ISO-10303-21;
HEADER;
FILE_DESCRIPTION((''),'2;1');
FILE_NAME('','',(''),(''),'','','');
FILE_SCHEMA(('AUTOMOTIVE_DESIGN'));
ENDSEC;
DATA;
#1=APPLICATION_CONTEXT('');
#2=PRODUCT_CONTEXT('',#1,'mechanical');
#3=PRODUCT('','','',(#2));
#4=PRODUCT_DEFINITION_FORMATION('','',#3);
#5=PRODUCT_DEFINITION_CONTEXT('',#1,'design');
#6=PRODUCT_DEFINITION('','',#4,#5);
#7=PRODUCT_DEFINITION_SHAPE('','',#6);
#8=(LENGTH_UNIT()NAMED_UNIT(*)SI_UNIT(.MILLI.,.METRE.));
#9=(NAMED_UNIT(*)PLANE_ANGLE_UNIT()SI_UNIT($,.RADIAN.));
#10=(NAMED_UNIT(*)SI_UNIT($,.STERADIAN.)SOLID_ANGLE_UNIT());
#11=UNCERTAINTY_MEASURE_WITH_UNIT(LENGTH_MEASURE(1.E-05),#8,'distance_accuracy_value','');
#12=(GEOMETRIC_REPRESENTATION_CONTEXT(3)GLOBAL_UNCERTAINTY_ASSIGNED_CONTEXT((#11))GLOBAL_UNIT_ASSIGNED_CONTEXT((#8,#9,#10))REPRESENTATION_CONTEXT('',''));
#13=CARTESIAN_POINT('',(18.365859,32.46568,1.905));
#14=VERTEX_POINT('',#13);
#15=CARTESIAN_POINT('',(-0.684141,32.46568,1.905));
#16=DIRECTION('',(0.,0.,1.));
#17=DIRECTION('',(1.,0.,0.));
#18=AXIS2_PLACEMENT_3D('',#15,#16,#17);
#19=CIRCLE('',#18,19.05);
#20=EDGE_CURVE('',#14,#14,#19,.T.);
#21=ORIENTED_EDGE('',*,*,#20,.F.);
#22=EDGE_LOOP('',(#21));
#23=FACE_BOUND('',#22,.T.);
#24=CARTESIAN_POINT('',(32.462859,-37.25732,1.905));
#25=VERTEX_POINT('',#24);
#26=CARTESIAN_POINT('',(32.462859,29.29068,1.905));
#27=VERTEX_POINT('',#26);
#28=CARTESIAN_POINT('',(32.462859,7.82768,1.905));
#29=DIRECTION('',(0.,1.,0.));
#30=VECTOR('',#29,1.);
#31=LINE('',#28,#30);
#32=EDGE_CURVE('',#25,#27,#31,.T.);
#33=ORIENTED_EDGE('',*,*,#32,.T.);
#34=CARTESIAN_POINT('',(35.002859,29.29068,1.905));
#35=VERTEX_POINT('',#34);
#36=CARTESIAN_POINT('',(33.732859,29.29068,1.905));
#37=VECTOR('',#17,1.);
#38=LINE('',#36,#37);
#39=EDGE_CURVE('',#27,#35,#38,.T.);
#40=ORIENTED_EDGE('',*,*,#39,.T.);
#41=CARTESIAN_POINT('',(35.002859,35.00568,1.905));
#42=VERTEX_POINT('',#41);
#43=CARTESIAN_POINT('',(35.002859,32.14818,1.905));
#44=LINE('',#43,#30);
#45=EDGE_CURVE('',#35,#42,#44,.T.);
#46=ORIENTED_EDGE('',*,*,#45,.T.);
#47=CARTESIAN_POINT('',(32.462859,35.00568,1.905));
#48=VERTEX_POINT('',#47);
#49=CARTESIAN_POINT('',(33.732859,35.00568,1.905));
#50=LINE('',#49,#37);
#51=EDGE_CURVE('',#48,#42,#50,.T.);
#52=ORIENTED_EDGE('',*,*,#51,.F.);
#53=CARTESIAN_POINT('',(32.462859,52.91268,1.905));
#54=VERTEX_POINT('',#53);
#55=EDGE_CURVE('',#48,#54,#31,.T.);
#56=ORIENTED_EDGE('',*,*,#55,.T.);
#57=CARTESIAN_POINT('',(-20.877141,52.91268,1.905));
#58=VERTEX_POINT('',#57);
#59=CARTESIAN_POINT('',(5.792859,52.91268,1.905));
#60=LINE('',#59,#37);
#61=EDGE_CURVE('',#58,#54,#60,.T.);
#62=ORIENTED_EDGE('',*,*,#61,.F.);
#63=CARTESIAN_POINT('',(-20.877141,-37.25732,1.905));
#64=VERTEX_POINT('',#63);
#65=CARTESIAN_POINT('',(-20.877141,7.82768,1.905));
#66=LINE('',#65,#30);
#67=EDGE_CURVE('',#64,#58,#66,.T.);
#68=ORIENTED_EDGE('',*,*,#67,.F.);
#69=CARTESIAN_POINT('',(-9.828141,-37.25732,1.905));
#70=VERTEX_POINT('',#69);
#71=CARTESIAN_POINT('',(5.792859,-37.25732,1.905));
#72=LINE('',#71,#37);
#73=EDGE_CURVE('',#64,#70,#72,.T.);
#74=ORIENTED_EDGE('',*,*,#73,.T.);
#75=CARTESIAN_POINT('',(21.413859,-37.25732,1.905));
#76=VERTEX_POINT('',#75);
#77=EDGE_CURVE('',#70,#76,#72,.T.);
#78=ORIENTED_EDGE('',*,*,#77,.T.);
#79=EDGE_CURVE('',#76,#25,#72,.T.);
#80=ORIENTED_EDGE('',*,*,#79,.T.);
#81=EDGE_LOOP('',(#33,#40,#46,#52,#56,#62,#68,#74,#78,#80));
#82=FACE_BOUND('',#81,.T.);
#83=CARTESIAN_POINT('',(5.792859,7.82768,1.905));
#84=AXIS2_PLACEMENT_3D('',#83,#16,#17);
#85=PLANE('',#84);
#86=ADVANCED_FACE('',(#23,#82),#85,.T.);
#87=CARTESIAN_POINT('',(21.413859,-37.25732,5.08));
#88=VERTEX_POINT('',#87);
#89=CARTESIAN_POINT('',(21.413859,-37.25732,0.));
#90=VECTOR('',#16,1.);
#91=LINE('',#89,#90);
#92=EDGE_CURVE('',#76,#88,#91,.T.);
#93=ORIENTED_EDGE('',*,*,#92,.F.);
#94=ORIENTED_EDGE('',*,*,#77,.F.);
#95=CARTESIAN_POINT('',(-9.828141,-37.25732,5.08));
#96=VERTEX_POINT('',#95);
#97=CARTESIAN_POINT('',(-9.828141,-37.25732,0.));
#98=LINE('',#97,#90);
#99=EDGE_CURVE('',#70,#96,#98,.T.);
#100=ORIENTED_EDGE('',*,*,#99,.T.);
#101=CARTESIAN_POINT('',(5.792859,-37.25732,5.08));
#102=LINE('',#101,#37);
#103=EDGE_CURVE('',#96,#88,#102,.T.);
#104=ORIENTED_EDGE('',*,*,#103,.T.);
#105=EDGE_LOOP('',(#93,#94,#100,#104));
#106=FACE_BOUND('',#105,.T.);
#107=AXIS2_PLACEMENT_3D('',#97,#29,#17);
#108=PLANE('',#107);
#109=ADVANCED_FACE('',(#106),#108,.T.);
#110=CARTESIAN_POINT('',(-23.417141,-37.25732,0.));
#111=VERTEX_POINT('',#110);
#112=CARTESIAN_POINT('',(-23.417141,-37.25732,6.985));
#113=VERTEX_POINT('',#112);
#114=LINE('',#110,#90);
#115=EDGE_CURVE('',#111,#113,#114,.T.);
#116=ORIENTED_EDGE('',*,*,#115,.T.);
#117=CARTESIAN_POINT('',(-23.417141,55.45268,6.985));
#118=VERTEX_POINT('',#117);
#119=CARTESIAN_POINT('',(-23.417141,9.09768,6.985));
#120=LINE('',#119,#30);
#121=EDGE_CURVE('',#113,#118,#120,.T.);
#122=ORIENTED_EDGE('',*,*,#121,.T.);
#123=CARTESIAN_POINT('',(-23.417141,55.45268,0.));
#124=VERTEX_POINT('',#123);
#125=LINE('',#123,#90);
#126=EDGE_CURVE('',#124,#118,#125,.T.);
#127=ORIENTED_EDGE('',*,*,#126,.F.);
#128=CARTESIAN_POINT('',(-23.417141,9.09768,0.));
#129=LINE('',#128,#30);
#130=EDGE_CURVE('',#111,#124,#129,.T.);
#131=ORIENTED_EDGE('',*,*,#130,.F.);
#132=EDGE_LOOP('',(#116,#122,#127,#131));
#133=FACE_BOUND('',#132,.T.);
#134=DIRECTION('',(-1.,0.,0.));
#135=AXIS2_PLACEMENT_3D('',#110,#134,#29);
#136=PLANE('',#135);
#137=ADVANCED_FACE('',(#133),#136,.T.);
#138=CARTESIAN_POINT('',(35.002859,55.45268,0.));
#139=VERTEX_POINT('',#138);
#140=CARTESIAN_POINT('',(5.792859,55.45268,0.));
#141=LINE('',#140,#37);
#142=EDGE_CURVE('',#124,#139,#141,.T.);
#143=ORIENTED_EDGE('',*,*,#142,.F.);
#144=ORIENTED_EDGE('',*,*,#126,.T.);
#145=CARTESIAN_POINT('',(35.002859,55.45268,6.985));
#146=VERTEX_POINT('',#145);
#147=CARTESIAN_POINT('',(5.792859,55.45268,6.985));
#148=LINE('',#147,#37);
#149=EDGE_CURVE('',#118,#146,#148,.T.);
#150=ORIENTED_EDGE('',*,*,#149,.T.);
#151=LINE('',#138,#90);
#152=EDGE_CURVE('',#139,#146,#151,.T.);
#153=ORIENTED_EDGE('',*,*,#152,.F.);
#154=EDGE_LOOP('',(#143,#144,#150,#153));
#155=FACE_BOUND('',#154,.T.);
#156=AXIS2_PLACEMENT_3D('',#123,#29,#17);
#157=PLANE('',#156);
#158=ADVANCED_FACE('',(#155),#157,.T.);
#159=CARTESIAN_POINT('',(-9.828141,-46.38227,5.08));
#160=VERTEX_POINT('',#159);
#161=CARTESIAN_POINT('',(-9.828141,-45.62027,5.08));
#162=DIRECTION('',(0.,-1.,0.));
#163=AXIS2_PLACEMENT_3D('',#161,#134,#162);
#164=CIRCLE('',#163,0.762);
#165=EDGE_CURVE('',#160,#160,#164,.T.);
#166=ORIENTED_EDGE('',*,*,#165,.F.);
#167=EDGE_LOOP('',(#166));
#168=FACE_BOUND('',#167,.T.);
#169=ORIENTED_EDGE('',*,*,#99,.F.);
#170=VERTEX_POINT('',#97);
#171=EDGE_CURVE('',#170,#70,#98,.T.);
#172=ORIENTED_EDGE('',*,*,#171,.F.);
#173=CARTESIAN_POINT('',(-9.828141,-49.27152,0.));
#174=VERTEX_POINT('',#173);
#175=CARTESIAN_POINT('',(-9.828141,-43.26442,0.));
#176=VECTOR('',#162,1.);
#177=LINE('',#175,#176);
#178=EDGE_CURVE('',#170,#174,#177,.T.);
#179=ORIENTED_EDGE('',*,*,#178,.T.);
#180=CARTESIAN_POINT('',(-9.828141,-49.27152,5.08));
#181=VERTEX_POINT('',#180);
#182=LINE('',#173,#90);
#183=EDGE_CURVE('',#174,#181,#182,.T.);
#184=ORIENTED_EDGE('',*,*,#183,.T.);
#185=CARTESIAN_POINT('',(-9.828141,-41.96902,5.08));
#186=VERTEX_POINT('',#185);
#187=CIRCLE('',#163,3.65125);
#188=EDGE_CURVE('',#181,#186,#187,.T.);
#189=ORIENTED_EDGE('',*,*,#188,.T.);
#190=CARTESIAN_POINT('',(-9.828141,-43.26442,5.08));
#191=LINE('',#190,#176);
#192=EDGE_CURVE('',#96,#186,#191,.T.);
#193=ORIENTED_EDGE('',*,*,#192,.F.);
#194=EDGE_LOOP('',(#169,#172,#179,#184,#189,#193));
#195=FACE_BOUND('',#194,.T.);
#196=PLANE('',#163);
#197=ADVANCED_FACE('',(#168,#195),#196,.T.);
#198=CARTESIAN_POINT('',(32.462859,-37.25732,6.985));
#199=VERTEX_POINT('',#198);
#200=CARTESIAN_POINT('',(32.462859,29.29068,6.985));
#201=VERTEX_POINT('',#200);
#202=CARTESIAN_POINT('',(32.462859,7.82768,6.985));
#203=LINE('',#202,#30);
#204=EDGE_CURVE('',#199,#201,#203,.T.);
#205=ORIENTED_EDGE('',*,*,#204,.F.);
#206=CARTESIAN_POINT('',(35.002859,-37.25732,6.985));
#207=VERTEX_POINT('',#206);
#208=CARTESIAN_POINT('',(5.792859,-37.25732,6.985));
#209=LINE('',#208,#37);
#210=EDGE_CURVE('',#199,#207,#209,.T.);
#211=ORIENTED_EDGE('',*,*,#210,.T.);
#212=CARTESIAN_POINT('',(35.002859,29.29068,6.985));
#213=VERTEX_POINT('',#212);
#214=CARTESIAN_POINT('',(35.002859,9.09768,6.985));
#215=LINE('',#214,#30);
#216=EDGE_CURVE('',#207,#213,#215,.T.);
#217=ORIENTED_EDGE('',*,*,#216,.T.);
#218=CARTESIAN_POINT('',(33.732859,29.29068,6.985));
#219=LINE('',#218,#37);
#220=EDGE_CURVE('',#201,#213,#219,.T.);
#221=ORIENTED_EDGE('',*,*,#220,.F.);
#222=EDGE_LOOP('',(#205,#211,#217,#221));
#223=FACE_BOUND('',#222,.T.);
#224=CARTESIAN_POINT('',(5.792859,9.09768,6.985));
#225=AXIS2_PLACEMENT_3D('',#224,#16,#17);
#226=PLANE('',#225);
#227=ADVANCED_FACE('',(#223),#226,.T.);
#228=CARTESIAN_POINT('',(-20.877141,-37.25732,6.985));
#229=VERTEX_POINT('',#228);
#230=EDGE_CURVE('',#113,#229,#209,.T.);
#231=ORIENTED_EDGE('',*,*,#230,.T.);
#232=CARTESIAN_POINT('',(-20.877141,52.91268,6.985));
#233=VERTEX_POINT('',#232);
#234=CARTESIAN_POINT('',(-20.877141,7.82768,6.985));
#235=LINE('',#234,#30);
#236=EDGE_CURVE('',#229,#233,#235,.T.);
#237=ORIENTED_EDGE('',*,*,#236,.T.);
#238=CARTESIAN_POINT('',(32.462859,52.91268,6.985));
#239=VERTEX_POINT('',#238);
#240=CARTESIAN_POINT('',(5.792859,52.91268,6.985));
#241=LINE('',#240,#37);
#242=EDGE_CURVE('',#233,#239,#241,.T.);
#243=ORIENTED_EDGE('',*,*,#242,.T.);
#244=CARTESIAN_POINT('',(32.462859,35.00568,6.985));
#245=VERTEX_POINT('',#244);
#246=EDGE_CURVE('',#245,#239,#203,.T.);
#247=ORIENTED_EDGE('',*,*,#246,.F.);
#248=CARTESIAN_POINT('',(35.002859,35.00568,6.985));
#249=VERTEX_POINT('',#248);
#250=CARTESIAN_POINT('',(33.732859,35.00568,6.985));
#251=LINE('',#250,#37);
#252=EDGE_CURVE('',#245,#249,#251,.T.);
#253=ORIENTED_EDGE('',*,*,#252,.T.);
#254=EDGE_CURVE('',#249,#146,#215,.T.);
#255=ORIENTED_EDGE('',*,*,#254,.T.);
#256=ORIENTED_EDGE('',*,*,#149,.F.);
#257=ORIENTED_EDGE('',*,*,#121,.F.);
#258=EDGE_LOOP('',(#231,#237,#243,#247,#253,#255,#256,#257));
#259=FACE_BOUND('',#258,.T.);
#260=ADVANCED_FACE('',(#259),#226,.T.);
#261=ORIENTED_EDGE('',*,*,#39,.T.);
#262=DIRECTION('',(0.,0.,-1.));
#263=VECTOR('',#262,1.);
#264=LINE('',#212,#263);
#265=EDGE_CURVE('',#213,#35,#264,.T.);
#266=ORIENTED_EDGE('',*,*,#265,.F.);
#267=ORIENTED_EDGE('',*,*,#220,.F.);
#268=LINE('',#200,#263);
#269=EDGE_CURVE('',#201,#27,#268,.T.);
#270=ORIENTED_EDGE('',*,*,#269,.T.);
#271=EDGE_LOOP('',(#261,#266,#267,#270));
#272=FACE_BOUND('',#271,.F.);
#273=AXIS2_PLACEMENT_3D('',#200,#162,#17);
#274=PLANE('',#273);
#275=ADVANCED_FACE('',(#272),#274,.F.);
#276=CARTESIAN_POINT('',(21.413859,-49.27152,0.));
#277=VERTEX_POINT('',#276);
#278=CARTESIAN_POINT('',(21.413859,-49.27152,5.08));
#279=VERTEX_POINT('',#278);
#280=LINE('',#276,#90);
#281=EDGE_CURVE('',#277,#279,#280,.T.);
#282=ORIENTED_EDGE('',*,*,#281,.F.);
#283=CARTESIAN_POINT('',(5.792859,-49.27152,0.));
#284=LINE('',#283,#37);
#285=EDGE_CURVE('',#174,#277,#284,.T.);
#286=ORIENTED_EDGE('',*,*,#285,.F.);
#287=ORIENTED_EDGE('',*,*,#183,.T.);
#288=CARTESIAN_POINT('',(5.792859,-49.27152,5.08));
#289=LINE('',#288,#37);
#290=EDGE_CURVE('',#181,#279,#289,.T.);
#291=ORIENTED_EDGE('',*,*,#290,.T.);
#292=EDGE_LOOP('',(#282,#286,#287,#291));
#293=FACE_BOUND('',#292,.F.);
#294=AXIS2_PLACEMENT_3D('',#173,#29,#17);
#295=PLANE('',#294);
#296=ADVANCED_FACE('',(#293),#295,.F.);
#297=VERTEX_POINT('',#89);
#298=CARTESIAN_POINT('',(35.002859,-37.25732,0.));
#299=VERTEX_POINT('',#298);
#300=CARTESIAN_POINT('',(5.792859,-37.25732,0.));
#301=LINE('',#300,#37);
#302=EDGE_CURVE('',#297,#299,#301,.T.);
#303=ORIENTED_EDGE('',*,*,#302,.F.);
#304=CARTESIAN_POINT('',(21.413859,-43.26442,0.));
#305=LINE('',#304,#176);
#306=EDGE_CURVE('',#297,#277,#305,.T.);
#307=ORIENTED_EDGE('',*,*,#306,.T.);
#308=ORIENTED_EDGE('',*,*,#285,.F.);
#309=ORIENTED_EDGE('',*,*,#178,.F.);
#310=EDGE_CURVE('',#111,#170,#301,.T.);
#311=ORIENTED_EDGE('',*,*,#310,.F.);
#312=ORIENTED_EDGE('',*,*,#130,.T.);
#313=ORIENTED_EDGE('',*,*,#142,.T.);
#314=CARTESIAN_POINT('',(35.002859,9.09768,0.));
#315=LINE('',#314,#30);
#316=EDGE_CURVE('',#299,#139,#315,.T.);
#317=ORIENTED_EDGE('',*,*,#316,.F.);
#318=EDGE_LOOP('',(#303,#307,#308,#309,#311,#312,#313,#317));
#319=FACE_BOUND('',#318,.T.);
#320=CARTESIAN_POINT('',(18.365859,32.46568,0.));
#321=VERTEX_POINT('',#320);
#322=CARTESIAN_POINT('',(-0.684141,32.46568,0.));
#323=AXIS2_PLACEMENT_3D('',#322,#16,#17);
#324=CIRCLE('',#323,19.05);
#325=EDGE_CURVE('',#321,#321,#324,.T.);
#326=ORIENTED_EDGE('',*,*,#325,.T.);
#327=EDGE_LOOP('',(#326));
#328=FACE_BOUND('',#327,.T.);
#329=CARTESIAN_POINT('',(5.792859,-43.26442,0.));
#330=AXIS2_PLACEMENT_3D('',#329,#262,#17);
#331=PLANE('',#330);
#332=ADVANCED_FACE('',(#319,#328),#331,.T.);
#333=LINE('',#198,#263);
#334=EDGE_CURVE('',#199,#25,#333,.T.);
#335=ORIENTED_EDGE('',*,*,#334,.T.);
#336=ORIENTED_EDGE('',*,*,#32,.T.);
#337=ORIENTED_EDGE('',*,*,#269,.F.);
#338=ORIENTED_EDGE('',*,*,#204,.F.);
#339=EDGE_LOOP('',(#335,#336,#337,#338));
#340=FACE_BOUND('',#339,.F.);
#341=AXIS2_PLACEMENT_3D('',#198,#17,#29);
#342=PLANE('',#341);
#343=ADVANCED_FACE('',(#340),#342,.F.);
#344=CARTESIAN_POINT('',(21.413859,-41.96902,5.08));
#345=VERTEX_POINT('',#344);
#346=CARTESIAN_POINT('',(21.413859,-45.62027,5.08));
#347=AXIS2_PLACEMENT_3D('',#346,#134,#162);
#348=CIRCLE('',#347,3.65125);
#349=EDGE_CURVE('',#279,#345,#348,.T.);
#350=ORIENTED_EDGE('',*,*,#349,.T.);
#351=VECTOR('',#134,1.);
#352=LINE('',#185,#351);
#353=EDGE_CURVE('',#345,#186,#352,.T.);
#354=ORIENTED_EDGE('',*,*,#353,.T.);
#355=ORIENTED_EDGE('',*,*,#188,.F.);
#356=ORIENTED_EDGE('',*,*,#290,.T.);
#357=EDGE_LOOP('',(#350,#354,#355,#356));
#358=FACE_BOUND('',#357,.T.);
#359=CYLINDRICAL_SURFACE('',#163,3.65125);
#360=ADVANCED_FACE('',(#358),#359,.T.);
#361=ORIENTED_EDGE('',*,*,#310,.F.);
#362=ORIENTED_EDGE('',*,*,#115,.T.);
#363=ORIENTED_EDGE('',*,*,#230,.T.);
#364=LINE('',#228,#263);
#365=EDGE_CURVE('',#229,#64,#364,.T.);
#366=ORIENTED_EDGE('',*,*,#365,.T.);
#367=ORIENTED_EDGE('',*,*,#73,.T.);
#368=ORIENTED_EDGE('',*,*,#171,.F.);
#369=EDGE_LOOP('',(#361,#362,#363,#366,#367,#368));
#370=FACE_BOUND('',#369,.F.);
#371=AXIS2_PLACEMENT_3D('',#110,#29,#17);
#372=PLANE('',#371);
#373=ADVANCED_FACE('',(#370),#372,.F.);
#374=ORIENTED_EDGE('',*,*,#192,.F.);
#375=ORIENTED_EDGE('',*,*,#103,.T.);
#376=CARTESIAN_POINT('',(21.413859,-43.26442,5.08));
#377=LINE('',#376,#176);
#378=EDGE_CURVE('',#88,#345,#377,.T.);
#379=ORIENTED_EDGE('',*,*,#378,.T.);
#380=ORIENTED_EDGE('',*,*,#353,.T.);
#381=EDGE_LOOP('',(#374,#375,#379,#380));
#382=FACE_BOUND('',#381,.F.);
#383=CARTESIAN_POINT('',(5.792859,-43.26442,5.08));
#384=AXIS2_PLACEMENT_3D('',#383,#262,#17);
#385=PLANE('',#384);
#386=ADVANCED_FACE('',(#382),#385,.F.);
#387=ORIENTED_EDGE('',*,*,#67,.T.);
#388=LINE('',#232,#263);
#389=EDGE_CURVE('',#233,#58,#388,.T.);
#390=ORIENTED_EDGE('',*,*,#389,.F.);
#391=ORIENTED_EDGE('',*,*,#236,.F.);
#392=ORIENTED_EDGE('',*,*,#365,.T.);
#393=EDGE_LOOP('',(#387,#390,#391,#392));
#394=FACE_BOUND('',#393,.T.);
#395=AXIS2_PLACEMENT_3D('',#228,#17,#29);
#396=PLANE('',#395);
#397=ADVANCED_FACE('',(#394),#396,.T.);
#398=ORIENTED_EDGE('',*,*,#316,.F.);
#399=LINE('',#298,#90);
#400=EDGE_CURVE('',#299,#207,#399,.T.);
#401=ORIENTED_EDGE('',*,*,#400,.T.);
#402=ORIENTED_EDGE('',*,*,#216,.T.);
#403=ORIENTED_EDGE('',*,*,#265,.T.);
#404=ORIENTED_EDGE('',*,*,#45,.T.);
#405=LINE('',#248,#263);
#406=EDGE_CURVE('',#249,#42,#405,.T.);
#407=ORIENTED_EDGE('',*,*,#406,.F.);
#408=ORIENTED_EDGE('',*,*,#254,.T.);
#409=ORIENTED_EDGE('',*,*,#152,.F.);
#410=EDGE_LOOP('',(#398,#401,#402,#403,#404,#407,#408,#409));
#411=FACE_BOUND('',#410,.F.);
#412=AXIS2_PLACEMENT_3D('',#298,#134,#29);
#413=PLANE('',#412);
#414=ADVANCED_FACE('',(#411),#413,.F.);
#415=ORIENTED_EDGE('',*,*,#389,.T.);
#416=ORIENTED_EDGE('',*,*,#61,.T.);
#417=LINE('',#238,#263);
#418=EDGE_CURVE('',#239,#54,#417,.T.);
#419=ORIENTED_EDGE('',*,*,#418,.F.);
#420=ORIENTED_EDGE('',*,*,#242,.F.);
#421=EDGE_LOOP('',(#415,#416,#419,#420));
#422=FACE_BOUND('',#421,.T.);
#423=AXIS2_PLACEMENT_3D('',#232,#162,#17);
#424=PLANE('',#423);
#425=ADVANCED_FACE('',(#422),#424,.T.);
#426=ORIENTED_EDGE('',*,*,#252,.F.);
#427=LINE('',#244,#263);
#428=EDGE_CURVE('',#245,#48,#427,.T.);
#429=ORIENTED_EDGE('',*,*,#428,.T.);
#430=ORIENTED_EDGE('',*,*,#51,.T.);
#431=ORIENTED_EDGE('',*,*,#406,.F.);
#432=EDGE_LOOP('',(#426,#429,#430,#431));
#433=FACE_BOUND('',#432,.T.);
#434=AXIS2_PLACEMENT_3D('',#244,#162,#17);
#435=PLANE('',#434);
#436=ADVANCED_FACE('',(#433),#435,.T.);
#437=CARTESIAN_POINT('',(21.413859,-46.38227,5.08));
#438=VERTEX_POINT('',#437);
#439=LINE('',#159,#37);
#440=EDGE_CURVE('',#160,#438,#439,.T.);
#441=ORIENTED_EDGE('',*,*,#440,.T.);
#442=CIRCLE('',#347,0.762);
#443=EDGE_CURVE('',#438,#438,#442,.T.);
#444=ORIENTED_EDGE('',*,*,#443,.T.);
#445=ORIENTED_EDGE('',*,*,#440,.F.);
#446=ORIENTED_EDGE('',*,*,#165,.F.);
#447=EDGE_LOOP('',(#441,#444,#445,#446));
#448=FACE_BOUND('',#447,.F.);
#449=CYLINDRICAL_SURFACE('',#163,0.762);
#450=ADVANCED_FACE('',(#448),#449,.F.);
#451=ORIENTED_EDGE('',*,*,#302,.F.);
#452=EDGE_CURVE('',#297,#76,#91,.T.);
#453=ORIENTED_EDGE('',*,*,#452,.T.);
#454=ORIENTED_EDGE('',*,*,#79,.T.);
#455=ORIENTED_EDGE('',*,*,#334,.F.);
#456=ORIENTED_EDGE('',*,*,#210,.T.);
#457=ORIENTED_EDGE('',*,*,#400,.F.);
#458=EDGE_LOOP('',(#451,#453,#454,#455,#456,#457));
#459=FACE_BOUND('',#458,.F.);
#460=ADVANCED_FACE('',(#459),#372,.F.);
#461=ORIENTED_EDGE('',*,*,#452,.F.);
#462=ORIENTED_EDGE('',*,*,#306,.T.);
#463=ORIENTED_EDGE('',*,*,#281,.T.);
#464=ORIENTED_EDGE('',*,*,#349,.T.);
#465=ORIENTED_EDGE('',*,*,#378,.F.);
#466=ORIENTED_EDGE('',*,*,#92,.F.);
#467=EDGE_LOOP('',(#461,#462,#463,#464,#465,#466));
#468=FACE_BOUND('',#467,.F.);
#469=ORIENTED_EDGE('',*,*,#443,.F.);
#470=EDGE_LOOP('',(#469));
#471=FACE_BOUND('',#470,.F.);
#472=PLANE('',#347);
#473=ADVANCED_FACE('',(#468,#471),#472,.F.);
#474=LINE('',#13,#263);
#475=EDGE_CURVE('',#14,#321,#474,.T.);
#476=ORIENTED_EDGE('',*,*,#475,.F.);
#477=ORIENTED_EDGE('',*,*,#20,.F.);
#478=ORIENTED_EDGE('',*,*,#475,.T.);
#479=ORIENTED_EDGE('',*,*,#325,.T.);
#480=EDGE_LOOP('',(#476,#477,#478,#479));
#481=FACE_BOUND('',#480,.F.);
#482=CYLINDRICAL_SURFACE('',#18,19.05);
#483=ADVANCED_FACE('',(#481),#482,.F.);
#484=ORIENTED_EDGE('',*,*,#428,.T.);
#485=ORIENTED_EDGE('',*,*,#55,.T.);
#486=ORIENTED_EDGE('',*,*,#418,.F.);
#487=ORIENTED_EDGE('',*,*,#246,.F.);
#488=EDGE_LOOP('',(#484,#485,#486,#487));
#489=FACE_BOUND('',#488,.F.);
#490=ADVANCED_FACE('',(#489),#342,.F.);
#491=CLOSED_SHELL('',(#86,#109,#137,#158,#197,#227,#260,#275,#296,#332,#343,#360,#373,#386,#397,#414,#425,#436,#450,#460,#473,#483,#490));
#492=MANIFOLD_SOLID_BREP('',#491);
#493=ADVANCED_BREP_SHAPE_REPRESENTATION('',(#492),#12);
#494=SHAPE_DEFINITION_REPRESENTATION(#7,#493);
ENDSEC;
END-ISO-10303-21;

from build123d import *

# Parameters (mm, degrees)
F0_W      = 58.42
F0_H      = 92.71
F1_DEPTH  = 6.985
F2_W      = 53.34
F2_H      = 90.17
F3_DEPTH  = 5.08
F4_R      = 19.05
F5_DEPTH  = 25.4
F6_W      = 31.242
F6_H      = 12.0142
F7_DEPTH  = 5.08
F8_R      = 3.65125
F9_DEPTH  = 31.242
F10_R     = 0.762
F11_DEPTH = 38.1
F12_W     = 2.54
F12_H     = 5.715
F13_DEPTH = 5.08


with BuildPart() as f1:
    # F0 (on Top) → F1 (new body)
    with BuildSketch(Plane.XY):
        with Locations((5.7928592128, 9.0976799711)):
            Rectangle(F0_W, F0_H)
    extrude(amount=F1_DEPTH)

    # F2 (on face) → F3 (cut)
    with BuildSketch(Plane.XY.offset(6.985)):
        with Locations((5.7928592128, 7.8276799711)):
            Rectangle(F2_W, F2_H)
    extrude(amount=-F3_DEPTH, mode=Mode.SUBTRACT)

    # F4 (on face) → F5 (cut)
    with BuildSketch(Plane.XY.offset(1.905)):
        with Locations((-0.6841407872, 32.4656799711)):
            Circle(F4_R)
    extrude(amount=-F5_DEPTH, mode=Mode.SUBTRACT)

    # F6 (on face) → F7 (join)
    with BuildSketch(Plane(origin=(0, 0, 0), x_dir=(1, 0, 0), z_dir=(0, 0, -1))):
        with Locations((5.7928592128, 43.2644200289)):
            Rectangle(F6_W, F6_H)
    extrude(amount=-F7_DEPTH)

    # F8 (on face) → F9 (join)
    with BuildSketch(Plane(origin=(-9.8281407872, 0, 0), x_dir=(0, -1, 0), z_dir=(-1, 0, 0))):
        with Locations((45.6202700289, 5.08)):
            Circle(F8_R)
    extrude(amount=-F9_DEPTH)

    # F10 (on face) → F11 (cut)
    with BuildSketch(Plane(origin=(-9.8281407872, 0, 0), x_dir=(0, -1, 0), z_dir=(-1, 0, 0))):
        with Locations((45.6202700289, 5.08)):
            Circle(F10_R)
    extrude(amount=-F11_DEPTH, mode=Mode.SUBTRACT)

    # F12 (on face) → F13 (cut)
    with BuildSketch(Plane.XY.offset(6.985)):
        with Locations((33.7328592128, 32.1481799711)):
            Rectangle(F12_W, F12_H)
    extrude(amount=-F13_DEPTH, mode=Mode.SUBTRACT)


solid = f1.part
